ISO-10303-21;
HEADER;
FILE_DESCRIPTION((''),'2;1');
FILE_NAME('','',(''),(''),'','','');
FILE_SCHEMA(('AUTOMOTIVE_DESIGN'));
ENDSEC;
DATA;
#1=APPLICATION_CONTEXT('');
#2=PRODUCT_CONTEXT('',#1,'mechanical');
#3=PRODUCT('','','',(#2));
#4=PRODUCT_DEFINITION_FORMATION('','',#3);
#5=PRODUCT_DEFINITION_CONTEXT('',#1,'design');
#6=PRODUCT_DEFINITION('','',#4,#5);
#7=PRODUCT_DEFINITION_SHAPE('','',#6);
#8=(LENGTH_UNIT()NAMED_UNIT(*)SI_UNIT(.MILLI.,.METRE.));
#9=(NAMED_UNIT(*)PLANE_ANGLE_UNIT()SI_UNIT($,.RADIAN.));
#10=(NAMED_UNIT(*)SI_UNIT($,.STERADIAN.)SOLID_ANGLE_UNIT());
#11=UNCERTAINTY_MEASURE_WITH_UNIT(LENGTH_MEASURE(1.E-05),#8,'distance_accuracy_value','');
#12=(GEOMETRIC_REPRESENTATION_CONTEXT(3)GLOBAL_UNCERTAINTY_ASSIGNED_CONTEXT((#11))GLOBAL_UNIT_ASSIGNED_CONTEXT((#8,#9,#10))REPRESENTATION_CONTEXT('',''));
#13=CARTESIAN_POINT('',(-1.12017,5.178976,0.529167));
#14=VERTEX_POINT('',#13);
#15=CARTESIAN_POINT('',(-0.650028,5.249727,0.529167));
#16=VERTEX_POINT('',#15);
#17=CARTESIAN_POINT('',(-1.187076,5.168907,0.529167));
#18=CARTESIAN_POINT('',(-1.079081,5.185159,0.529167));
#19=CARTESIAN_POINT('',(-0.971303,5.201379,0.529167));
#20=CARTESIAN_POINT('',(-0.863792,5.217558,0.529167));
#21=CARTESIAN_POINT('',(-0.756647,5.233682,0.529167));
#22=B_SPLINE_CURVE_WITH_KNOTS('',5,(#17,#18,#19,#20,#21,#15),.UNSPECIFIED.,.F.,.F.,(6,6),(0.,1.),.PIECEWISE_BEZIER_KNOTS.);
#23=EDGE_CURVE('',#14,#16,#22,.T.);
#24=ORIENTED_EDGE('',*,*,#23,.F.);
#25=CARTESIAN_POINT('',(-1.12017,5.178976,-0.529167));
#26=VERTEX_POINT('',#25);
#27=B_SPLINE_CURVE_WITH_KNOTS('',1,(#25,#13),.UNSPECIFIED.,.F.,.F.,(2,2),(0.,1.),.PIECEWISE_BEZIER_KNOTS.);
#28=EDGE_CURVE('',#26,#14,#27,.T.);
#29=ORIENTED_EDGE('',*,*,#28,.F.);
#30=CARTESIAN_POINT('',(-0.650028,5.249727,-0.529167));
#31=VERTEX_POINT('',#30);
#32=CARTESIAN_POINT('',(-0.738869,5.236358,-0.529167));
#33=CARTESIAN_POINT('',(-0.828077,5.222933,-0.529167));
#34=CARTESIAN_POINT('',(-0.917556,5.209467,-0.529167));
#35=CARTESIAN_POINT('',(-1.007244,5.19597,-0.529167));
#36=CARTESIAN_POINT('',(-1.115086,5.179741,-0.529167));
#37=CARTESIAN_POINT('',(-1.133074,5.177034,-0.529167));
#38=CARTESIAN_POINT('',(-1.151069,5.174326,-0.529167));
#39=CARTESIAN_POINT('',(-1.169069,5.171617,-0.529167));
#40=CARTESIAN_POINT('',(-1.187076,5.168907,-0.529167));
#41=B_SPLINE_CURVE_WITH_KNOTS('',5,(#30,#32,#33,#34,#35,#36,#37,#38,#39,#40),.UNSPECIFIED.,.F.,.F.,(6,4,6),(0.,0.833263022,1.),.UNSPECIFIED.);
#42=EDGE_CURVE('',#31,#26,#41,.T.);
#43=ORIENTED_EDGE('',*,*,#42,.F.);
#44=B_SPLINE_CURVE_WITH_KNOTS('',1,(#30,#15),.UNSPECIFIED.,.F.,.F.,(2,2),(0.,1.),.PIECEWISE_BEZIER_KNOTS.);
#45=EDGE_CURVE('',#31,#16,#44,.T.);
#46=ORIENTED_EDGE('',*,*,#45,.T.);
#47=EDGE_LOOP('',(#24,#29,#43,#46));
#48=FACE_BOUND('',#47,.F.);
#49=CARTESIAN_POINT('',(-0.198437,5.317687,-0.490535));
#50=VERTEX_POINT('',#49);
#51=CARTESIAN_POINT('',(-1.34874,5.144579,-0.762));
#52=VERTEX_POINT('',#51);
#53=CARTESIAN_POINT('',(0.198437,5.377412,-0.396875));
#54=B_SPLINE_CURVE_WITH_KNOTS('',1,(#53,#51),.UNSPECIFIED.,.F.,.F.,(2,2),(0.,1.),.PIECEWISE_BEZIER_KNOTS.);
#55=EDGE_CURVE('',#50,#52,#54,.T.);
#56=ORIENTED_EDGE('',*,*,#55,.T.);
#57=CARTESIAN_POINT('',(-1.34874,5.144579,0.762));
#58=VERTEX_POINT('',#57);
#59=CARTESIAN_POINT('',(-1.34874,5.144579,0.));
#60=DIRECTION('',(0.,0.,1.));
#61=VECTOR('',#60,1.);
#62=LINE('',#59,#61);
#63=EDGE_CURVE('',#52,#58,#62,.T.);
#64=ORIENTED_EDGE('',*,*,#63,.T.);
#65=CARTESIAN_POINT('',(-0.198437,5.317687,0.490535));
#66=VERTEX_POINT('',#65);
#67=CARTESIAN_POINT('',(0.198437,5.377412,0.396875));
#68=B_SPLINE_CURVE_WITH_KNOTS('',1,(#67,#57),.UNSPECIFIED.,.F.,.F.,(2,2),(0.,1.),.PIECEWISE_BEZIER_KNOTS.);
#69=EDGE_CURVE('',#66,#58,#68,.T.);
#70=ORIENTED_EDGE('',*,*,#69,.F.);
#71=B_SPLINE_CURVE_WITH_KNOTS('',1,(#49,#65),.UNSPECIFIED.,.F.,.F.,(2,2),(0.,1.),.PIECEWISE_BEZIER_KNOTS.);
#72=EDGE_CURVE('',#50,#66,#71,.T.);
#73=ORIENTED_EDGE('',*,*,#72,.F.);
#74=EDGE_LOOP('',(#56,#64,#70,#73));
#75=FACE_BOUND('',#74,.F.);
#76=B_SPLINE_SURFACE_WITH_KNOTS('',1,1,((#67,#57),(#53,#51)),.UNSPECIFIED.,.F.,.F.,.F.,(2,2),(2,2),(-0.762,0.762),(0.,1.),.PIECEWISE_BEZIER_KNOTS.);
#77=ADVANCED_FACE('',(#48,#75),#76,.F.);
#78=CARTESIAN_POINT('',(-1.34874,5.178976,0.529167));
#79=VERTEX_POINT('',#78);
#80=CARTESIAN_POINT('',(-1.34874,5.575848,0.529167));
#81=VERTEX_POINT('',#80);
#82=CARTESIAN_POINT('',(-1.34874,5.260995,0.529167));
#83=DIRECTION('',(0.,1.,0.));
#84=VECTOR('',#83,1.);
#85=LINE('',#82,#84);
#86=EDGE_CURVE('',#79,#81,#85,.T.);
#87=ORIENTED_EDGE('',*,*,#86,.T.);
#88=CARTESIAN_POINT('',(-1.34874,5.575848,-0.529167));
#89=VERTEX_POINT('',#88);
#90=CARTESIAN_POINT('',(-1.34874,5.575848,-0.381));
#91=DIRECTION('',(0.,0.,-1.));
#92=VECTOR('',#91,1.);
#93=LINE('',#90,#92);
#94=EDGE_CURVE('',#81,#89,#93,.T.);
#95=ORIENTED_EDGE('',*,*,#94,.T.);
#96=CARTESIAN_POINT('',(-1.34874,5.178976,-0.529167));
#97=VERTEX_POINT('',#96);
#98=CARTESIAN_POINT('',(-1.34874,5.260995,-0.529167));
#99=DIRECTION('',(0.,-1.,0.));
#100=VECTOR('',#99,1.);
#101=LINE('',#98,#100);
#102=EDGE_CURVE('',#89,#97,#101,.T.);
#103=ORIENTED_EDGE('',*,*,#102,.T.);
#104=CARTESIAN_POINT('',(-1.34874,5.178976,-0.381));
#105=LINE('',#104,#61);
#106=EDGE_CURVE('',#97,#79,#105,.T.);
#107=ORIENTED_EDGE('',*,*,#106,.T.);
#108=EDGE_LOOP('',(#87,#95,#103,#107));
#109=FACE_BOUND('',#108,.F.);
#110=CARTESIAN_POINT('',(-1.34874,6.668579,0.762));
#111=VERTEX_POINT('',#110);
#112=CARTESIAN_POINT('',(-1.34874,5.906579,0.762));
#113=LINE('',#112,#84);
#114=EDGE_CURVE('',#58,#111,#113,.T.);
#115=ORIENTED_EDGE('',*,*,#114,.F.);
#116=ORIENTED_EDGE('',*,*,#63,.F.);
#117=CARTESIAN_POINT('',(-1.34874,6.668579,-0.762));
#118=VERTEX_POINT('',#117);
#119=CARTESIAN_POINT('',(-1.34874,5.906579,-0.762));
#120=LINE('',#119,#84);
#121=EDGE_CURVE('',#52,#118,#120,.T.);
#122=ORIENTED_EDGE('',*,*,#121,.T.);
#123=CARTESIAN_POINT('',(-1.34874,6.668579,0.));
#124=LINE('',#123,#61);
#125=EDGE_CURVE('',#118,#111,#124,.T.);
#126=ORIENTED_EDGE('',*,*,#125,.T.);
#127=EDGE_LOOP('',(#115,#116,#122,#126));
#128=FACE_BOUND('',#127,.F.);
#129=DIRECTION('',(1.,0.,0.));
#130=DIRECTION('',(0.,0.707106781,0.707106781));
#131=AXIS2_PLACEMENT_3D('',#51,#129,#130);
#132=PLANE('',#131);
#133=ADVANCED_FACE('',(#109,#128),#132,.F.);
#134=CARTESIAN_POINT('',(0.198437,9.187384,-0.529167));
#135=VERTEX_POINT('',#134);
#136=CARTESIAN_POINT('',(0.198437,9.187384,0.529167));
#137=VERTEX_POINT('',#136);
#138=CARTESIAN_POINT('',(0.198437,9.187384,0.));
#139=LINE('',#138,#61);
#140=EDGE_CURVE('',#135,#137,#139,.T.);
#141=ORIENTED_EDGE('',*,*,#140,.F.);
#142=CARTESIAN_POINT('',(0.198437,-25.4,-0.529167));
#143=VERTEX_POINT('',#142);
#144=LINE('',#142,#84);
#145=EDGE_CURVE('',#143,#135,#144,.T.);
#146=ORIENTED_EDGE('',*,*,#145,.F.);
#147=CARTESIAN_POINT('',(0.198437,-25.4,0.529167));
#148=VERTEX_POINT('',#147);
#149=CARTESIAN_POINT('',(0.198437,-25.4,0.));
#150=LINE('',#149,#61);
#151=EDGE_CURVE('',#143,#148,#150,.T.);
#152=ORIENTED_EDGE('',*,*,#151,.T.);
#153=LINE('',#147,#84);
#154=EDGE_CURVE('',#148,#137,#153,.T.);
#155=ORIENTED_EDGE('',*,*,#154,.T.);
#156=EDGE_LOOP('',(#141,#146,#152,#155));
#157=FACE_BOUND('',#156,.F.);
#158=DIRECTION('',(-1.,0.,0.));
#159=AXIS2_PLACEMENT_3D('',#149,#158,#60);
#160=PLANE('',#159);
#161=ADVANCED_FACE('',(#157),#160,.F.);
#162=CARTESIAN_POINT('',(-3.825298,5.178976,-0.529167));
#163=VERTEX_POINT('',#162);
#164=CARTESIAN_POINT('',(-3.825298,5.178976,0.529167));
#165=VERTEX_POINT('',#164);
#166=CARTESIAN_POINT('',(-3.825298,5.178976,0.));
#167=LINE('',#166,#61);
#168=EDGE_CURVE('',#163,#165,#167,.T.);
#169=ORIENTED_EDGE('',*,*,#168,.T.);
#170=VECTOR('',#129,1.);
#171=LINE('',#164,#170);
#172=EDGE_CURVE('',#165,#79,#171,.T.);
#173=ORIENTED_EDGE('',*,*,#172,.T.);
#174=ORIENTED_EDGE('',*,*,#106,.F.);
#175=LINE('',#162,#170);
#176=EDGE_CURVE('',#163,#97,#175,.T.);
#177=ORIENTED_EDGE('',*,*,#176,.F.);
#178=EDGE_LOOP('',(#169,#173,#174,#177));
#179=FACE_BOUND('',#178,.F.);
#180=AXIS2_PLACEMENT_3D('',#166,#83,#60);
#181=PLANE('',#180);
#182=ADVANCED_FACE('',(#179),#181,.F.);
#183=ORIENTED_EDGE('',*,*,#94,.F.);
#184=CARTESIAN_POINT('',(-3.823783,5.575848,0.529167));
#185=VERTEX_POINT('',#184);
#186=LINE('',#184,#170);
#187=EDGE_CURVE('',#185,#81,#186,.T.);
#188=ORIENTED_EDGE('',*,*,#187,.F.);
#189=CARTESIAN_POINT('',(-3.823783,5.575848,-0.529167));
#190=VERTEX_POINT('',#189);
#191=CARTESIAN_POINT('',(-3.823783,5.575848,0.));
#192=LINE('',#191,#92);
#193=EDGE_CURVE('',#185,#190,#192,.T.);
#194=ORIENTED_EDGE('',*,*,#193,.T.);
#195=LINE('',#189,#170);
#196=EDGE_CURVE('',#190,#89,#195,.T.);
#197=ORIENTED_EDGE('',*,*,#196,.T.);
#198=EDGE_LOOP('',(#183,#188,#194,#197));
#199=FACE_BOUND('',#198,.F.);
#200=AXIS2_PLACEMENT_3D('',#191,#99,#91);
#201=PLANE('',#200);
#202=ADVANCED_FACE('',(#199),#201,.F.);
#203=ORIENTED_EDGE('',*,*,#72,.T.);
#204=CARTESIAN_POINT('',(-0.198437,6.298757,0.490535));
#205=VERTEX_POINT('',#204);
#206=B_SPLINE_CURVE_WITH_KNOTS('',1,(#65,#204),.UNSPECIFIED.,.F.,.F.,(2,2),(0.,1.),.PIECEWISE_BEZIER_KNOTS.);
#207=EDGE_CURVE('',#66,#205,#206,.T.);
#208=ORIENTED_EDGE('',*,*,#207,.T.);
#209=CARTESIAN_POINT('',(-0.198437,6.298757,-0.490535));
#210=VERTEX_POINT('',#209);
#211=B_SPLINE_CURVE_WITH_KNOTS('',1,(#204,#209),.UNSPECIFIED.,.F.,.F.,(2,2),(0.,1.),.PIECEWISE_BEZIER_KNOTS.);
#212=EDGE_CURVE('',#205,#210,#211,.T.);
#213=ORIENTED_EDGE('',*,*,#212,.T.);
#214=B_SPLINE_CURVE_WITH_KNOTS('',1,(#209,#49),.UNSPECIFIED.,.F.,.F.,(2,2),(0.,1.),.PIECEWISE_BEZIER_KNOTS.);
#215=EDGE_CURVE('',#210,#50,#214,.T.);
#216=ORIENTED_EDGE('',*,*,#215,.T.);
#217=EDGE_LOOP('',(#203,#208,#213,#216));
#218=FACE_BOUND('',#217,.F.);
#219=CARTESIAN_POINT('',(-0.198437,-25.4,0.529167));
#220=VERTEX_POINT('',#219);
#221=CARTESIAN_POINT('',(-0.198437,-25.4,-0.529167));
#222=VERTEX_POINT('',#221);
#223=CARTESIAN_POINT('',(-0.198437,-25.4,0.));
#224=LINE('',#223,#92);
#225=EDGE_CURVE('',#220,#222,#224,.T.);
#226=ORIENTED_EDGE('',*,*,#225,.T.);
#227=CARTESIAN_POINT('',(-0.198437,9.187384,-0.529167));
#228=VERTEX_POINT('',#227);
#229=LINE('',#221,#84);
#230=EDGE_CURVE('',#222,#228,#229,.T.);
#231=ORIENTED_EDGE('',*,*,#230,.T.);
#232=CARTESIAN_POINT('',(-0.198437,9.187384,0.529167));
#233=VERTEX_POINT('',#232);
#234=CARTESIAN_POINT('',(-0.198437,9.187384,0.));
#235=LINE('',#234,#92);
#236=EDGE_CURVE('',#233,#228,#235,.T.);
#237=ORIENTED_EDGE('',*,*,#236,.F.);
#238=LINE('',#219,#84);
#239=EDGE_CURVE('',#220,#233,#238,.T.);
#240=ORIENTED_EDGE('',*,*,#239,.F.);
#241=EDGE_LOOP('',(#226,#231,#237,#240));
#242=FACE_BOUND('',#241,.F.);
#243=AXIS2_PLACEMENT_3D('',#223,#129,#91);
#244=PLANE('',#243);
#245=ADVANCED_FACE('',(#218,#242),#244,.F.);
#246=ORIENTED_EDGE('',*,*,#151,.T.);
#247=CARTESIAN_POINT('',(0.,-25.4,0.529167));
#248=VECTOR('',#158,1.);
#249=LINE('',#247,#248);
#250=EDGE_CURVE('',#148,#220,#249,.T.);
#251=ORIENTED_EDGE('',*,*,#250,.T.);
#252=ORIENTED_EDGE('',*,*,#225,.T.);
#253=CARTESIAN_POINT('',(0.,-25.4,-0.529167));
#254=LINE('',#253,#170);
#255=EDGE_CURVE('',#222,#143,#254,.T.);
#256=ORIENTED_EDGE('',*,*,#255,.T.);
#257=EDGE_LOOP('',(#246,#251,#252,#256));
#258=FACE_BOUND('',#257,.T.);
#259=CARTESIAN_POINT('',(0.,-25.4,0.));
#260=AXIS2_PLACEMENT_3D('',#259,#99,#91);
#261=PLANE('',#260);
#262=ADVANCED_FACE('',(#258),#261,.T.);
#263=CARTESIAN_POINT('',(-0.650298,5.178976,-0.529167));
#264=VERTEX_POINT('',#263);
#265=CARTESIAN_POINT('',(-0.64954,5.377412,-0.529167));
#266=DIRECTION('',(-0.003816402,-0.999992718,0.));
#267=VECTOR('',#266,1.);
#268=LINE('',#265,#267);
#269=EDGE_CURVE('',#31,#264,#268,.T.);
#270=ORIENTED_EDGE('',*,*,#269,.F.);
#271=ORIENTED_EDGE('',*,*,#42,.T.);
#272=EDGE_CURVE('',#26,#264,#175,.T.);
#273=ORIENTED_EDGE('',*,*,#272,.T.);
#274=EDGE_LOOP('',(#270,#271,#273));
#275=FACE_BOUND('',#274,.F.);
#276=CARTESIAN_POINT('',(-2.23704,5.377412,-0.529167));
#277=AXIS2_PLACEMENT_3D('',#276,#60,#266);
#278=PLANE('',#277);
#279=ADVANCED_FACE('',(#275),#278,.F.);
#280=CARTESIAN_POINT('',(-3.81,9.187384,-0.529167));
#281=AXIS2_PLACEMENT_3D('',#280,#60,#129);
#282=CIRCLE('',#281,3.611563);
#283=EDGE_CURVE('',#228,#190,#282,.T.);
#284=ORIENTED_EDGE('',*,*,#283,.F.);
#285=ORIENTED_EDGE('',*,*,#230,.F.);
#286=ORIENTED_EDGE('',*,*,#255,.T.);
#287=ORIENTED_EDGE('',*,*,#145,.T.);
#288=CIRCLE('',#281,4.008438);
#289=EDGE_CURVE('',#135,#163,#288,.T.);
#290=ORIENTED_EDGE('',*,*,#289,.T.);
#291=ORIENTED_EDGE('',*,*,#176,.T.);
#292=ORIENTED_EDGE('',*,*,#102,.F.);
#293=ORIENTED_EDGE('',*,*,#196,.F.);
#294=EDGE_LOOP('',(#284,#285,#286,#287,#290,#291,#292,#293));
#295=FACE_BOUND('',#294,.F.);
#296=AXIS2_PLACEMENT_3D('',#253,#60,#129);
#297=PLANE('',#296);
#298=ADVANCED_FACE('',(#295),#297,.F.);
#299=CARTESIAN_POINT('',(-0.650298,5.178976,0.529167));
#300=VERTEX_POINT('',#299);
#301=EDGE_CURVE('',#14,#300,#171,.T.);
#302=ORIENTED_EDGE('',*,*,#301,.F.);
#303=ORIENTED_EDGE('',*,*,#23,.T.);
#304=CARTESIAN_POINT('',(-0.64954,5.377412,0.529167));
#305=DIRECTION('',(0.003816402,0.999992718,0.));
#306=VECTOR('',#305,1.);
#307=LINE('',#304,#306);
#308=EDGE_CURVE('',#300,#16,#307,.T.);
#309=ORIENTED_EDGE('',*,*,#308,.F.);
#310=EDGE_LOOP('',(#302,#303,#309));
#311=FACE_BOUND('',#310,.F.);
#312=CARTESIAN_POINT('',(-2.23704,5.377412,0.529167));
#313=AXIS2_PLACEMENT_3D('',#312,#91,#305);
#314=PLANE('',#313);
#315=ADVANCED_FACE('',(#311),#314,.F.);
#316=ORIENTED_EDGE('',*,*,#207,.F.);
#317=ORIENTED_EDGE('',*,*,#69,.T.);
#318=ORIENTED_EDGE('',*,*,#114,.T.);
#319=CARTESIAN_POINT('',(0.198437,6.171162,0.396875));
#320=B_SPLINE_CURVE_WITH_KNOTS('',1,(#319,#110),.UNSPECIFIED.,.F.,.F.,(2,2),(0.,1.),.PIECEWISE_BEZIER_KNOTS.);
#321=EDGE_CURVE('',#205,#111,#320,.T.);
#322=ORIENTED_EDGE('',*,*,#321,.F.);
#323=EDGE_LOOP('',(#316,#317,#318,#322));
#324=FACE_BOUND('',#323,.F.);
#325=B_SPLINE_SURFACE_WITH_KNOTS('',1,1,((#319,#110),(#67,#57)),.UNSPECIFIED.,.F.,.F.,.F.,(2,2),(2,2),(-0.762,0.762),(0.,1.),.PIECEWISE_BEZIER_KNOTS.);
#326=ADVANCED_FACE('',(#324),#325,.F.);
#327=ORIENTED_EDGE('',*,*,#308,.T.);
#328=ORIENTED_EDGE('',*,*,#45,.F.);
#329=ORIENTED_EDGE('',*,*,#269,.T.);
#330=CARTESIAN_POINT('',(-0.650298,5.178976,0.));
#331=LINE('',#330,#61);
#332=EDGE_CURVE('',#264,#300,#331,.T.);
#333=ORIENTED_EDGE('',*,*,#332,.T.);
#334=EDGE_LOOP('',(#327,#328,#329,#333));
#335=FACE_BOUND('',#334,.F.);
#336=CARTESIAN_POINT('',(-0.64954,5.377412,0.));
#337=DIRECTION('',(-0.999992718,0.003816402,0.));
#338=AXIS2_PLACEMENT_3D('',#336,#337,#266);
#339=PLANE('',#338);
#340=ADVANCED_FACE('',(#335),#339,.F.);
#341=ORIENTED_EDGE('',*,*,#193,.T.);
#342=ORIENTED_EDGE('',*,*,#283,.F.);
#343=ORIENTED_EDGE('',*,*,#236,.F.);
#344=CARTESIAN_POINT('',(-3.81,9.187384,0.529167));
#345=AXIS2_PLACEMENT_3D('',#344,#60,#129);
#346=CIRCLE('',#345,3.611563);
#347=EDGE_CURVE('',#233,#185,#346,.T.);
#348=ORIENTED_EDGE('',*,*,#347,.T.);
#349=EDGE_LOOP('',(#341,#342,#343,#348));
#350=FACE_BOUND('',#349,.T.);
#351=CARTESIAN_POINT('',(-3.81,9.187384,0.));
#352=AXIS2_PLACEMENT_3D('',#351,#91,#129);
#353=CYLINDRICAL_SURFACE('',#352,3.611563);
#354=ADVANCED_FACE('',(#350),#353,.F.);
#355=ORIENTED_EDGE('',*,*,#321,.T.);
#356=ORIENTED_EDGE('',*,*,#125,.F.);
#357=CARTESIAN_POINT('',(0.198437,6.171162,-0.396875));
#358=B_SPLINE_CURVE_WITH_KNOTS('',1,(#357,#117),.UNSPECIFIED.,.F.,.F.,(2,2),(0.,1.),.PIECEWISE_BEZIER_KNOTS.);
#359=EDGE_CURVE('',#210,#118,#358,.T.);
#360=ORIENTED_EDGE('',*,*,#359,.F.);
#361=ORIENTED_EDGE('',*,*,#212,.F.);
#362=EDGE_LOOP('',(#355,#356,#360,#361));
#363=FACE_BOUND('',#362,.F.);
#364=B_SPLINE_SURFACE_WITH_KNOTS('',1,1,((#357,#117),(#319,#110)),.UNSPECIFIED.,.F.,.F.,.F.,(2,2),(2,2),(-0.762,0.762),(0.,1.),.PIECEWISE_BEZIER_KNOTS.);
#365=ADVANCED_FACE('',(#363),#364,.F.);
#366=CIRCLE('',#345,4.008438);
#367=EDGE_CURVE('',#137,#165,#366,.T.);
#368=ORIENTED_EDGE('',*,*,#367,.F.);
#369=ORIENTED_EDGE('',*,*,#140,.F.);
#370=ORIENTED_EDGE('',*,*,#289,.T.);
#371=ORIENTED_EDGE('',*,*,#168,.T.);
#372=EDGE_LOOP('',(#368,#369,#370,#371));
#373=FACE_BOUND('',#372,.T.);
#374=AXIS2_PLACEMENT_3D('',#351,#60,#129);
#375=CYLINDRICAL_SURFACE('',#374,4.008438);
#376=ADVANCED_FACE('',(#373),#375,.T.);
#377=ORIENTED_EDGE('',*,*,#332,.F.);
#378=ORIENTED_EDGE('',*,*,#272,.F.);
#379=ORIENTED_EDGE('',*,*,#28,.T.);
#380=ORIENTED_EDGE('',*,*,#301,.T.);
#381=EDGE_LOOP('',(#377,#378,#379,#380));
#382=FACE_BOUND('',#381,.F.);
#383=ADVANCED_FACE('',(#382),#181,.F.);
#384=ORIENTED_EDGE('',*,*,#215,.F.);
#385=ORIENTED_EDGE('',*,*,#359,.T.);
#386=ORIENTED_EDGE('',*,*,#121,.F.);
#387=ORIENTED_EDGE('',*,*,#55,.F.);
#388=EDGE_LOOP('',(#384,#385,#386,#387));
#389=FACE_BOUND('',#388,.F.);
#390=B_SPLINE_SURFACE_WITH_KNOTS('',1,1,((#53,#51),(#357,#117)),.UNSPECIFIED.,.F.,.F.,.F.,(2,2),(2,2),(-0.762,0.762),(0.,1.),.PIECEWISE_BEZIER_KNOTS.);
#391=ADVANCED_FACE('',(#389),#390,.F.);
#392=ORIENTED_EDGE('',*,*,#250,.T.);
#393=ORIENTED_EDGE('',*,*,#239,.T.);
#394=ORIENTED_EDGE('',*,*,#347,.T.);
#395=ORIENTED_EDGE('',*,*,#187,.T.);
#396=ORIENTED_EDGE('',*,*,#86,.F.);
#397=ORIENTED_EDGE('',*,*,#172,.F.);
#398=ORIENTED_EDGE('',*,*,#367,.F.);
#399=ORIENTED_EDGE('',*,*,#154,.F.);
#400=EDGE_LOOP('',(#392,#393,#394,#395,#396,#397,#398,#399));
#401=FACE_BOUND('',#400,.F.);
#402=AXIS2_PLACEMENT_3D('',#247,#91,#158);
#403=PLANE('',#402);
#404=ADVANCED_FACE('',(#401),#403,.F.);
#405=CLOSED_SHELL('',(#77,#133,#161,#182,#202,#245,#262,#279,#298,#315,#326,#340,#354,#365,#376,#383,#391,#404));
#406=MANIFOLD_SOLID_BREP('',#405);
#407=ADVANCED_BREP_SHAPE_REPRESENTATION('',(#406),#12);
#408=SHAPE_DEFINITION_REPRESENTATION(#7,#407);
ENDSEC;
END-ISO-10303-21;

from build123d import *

# Parameters (mm, degrees)
F5_W = 0.79375
F5_H = 0.79375
F6_W = 1.524
F6_H = 1.524
F2_W = 0.396875
F2_H = 1.0583333333


with BuildPart() as f7:
    # F5 (on offset) → F7 section 0
    with BuildSketch(Plane.YZ.offset(0.1984375)):
        with Locations((5.7742870632, 0)):
            Rectangle(F5_W, F5_H)
    # F6 (on offset) → F7 section 1
    with BuildSketch(Plane.YZ.offset(-1.34874)):
        with Locations((5.9065787299, 0)):
            Rectangle(F6_W, F6_H)
    loft()

    # F8: sweep along a path in F0
    with BuildLine(Plane.XY) as f8_path:
        Line((0, -25.4), (0, 9.187384317))
        ThreePointArc((0, 9.187384317), (-6.4989310813, 11.8865970985), (-3.8245404934, 5.3774120632))
        Line((-3.8245404934, 5.3774120632), (-0.6495404934, 5.3774120632))
    # F2 (on offset) → F8 (sweep)
    with BuildSketch(Plane.XZ.offset(25.4)):
        Rectangle(F2_W, F2_H)
    sweep(path=f8_path.line)


solid = f7.part
